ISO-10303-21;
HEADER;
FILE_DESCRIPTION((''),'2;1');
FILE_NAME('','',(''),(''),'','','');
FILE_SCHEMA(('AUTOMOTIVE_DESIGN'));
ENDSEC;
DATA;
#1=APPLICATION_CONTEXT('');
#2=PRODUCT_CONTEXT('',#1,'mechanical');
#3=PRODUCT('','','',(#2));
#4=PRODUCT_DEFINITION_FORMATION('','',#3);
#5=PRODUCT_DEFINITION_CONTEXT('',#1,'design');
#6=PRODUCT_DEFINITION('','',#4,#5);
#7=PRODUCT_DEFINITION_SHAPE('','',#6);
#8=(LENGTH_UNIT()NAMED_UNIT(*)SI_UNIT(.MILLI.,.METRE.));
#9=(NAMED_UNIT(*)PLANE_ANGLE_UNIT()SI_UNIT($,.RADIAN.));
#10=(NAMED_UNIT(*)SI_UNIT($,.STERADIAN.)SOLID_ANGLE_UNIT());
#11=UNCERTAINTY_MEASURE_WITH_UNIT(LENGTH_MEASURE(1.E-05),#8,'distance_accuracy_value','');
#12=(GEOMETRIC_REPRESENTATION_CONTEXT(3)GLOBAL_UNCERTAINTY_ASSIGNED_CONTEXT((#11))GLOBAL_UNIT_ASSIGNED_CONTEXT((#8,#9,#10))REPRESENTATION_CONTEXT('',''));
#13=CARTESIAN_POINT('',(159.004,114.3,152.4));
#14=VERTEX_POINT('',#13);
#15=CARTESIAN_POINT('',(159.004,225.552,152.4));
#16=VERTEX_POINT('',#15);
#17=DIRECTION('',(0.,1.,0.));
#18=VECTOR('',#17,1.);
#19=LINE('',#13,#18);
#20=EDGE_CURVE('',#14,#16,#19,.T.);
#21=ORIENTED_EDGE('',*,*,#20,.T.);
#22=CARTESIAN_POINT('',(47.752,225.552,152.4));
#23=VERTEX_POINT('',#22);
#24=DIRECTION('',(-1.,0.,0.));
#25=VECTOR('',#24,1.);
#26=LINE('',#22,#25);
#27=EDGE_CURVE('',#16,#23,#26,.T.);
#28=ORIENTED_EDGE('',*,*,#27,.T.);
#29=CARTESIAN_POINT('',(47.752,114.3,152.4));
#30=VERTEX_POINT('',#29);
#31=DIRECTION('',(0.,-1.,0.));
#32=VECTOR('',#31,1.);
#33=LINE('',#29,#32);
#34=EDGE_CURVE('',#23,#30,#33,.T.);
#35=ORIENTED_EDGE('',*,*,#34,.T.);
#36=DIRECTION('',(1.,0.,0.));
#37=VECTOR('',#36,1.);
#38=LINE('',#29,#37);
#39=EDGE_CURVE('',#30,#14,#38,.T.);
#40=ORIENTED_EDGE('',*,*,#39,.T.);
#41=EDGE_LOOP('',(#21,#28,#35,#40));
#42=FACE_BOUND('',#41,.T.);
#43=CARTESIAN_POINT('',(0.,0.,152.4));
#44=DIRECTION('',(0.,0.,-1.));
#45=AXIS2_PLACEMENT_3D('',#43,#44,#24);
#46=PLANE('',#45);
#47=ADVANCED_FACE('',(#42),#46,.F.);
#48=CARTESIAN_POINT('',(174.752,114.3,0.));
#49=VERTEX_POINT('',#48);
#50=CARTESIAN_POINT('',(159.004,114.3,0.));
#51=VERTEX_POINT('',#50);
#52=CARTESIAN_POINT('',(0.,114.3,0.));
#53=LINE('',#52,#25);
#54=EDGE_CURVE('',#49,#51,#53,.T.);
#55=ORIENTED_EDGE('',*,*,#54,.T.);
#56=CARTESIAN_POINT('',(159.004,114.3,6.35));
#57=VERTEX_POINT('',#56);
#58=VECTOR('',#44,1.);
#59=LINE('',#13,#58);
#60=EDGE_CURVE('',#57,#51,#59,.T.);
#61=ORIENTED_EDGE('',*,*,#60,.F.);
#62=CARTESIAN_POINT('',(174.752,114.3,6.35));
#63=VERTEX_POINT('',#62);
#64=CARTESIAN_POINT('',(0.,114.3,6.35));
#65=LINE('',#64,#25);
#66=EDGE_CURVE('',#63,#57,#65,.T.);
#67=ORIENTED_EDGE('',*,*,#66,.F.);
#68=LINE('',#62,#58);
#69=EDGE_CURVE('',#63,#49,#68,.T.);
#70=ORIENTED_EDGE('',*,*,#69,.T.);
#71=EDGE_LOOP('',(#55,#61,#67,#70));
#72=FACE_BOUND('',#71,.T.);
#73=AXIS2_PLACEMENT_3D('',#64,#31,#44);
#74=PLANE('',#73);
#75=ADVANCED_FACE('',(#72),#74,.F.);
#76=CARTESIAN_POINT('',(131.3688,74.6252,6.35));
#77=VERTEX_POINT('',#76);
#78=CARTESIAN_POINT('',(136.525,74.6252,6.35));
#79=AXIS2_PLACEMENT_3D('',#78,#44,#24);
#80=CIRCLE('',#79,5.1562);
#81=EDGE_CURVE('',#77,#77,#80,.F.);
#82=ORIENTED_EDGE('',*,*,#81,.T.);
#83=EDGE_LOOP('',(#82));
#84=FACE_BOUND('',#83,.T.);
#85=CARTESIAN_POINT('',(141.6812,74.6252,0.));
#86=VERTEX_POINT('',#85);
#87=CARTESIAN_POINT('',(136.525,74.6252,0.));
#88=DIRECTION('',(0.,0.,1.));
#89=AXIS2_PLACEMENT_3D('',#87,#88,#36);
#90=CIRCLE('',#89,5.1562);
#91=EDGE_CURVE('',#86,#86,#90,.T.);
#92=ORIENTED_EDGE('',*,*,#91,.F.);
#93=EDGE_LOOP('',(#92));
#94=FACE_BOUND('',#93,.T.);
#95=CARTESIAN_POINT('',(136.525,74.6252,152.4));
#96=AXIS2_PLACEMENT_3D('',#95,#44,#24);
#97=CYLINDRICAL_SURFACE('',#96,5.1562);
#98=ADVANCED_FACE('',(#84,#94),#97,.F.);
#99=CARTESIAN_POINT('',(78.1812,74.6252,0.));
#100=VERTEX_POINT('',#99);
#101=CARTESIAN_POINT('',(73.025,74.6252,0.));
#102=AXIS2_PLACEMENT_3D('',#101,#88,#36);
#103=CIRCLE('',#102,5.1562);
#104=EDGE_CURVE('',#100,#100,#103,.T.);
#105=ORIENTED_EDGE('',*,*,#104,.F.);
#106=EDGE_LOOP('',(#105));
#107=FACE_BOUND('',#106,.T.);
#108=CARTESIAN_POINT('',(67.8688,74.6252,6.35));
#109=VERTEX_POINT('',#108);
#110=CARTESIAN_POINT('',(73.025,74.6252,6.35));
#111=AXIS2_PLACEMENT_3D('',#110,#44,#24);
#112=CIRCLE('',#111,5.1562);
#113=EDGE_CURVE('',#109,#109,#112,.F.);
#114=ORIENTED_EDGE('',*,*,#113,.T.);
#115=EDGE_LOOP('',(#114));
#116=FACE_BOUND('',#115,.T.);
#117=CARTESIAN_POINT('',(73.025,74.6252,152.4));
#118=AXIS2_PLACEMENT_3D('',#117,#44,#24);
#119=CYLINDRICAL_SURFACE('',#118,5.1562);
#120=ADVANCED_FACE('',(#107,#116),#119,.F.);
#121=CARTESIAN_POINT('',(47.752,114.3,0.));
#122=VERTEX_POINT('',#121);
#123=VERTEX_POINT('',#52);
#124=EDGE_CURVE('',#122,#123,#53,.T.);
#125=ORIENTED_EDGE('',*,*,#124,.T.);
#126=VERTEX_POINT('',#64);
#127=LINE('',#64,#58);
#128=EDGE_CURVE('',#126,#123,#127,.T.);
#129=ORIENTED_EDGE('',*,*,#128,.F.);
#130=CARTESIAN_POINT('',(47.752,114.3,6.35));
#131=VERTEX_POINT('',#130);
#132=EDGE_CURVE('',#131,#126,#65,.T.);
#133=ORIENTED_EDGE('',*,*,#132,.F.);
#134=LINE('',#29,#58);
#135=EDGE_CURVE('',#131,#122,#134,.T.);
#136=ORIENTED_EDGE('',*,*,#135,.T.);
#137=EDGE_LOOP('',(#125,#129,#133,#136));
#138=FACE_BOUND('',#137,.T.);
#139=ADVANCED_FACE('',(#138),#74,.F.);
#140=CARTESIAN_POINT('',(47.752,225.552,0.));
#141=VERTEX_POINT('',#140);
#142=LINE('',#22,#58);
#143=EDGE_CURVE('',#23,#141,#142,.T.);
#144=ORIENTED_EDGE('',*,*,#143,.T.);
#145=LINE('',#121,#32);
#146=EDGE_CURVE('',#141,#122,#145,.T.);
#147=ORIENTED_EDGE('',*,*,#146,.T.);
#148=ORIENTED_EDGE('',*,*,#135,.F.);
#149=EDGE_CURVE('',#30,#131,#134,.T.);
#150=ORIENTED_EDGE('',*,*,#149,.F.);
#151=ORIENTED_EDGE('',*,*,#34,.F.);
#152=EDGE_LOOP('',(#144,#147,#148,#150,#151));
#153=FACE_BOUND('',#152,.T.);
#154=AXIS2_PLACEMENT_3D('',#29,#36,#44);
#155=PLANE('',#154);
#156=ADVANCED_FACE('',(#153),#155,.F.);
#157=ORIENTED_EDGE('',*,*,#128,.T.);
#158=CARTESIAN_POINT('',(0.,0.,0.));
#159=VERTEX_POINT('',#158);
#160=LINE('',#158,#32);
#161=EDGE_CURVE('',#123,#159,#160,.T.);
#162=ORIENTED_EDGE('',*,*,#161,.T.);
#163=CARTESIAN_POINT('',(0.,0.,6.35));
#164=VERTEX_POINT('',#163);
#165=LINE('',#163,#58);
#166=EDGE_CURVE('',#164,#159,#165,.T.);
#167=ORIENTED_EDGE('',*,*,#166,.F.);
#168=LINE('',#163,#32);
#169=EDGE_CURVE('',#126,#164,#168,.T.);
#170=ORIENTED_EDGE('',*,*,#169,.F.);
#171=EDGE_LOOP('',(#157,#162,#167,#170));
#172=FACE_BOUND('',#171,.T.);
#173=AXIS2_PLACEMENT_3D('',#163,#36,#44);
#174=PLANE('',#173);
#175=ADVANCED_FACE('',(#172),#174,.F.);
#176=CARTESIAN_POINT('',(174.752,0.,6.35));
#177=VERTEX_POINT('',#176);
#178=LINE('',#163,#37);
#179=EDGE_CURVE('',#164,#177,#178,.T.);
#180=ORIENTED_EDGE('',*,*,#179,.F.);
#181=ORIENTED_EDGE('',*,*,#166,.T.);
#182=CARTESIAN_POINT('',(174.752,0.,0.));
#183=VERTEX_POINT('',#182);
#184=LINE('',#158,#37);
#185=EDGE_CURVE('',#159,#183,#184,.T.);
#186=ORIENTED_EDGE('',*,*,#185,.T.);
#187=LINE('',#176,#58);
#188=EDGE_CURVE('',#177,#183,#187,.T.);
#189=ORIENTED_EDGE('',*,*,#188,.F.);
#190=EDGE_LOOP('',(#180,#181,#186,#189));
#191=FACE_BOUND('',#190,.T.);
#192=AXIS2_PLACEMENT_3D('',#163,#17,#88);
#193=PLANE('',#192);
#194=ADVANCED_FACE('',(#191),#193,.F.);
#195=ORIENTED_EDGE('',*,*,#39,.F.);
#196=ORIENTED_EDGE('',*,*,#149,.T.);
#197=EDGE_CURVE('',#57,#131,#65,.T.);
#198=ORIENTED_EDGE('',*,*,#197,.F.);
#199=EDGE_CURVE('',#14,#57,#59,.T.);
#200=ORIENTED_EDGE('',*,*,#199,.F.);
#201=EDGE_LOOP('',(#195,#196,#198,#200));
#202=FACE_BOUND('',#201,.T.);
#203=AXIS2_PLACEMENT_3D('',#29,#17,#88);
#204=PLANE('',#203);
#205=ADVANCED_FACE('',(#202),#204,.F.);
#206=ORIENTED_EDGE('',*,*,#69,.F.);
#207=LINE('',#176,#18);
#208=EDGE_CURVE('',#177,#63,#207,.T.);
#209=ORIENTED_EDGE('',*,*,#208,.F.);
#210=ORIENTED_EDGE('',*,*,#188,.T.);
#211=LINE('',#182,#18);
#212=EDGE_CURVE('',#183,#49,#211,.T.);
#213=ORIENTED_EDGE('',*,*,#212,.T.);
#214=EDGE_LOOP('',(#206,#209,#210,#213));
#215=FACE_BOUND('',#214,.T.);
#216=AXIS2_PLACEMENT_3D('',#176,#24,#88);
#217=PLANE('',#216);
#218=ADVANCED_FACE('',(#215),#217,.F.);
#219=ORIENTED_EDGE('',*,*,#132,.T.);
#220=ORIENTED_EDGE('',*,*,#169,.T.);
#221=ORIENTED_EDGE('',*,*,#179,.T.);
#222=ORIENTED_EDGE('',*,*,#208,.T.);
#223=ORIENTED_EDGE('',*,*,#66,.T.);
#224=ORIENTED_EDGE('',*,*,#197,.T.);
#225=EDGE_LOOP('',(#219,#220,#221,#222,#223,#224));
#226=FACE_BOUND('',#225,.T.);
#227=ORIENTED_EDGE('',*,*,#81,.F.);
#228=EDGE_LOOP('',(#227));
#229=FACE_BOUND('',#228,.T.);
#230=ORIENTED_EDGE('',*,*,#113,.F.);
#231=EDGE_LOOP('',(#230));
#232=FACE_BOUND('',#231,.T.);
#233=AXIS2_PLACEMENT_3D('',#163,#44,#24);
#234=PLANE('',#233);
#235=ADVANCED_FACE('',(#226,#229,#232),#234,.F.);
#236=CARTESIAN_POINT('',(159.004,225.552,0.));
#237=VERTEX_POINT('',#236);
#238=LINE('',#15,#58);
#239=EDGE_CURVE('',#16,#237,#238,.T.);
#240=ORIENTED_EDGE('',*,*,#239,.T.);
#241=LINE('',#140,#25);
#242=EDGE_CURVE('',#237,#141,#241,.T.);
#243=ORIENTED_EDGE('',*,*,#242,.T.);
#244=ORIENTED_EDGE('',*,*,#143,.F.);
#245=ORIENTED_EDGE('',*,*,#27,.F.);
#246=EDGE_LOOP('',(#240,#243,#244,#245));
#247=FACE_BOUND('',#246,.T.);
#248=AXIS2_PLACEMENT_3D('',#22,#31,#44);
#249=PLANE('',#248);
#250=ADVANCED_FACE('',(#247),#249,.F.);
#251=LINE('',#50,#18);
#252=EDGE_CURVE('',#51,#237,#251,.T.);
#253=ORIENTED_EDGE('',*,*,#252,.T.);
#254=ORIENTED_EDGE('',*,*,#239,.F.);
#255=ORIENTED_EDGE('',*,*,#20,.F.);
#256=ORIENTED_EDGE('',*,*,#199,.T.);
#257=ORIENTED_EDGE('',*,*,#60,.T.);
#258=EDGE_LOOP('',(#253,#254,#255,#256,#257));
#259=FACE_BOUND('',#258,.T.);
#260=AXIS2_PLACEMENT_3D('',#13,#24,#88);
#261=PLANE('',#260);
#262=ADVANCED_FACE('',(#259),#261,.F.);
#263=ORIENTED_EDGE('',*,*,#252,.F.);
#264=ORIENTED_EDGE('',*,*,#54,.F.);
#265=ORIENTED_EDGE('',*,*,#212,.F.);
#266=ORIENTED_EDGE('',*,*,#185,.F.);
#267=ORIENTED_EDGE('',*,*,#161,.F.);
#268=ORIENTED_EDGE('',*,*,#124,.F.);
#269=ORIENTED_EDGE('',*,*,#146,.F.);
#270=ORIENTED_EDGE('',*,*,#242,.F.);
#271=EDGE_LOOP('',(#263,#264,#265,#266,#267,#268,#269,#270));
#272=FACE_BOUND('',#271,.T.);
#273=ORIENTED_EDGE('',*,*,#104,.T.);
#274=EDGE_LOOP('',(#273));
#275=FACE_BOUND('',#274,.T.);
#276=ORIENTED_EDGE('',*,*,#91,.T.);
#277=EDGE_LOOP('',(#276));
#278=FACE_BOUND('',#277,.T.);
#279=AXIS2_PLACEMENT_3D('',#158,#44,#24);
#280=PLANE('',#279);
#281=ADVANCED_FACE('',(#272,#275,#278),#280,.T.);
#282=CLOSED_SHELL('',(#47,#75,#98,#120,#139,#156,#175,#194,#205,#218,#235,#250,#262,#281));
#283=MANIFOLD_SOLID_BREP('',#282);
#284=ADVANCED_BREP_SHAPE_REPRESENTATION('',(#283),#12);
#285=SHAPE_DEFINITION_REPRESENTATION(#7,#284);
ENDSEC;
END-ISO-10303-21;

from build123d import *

# Parameters (mm, degrees)
SKETCH1_W           = 174.752
SKETCH1_H           = 114.3
BOSS_EXTRUDE1_DEPTH = 6.35
SKETCH2_W           = 111.252
SKETCH2_H           = 111.252
BOSS_EXTRUDE2_DEPTH = 152.4
SKETCH3_R           = 5.1562
CUT_EXTRUDE1_DEPTH  = 324.47755132


with BuildPart() as part:
    # Sketch1 → Boss-Extrude1 (new body)
    with BuildSketch(Plane.XY):
        with Locations((87.376, 57.15)):
            Rectangle(SKETCH1_W, SKETCH1_H)
    extrude(amount=BOSS_EXTRUDE1_DEPTH)

    # Sketch2 → Boss-Extrude2 (add)
    with BuildSketch(Plane.XY):
        with Locations((103.378, 169.926)):
            Rectangle(SKETCH2_W, SKETCH2_H)
    extrude(amount=BOSS_EXTRUDE2_DEPTH)

    # Sketch3 → Cut-Extrude1 (cut, through all)
    with BuildSketch(Plane.XY):
        with Locations(Location((73.025, 74.6252, 0), (0, 0, 180))):
            Circle(SKETCH3_R)
        with Locations(Location((136.525, 74.6252, 0), (0, 0, 180))):
            Circle(SKETCH3_R)
    extrude(amount=CUT_EXTRUDE1_DEPTH, mode=Mode.SUBTRACT)


solid = part.part
